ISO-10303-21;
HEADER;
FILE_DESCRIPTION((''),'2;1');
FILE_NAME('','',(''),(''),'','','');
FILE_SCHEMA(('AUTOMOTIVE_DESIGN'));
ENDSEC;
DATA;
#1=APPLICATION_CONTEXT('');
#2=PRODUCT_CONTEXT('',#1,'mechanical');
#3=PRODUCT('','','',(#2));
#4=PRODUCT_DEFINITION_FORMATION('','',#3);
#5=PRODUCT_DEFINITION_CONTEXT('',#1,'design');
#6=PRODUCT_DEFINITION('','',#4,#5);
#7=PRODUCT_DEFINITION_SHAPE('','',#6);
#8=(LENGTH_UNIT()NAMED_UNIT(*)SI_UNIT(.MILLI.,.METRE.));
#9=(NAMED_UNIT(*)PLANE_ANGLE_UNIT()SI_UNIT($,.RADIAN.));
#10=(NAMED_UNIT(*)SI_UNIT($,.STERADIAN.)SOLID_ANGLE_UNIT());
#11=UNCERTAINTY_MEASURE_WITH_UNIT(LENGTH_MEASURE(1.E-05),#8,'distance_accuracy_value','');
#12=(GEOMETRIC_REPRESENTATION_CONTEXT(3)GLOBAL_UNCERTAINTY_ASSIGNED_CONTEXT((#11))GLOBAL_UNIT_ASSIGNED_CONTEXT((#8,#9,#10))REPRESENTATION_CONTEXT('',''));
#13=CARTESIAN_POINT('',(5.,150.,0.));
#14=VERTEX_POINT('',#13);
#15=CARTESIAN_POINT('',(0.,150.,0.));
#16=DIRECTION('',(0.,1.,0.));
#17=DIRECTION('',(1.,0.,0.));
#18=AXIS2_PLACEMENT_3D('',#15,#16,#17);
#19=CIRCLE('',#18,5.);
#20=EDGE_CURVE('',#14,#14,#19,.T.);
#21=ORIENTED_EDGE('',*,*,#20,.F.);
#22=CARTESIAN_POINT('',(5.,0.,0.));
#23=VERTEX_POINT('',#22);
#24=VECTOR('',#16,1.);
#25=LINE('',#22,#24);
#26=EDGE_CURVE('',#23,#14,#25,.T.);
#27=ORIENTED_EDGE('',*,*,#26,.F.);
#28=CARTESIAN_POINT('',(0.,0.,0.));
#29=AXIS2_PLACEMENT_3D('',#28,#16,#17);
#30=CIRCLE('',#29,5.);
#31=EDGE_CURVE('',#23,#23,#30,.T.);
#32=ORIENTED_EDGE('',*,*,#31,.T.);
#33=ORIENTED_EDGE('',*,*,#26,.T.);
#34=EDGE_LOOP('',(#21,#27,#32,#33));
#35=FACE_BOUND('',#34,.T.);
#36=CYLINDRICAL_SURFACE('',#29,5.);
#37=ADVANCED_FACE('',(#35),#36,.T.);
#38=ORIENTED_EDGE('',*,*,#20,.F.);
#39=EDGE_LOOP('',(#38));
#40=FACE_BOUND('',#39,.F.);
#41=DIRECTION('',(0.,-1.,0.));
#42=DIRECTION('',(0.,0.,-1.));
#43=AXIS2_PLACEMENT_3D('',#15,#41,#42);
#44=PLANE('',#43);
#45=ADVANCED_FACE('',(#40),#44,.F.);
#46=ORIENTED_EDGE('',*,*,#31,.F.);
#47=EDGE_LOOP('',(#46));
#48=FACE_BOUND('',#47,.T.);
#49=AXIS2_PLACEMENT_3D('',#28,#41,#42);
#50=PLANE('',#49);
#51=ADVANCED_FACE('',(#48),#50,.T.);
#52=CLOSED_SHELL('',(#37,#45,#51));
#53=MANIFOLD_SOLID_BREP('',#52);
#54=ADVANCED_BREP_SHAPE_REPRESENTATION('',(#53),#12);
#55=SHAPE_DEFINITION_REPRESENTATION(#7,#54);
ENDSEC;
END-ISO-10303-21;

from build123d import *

# Parameters (mm, degrees)
F1_R = 5


with BuildPart() as f2:
    # F2: sweep along a path in F0
    with BuildLine(Plane.YZ) as f2_path:
        Line((0, 0), (150, 0))
    # F1 (on Front) → F2 (sweep)
    with BuildSketch(Plane.XZ):
        Circle(F1_R)
    sweep(path=f2_path.line)


solid = f2.part
